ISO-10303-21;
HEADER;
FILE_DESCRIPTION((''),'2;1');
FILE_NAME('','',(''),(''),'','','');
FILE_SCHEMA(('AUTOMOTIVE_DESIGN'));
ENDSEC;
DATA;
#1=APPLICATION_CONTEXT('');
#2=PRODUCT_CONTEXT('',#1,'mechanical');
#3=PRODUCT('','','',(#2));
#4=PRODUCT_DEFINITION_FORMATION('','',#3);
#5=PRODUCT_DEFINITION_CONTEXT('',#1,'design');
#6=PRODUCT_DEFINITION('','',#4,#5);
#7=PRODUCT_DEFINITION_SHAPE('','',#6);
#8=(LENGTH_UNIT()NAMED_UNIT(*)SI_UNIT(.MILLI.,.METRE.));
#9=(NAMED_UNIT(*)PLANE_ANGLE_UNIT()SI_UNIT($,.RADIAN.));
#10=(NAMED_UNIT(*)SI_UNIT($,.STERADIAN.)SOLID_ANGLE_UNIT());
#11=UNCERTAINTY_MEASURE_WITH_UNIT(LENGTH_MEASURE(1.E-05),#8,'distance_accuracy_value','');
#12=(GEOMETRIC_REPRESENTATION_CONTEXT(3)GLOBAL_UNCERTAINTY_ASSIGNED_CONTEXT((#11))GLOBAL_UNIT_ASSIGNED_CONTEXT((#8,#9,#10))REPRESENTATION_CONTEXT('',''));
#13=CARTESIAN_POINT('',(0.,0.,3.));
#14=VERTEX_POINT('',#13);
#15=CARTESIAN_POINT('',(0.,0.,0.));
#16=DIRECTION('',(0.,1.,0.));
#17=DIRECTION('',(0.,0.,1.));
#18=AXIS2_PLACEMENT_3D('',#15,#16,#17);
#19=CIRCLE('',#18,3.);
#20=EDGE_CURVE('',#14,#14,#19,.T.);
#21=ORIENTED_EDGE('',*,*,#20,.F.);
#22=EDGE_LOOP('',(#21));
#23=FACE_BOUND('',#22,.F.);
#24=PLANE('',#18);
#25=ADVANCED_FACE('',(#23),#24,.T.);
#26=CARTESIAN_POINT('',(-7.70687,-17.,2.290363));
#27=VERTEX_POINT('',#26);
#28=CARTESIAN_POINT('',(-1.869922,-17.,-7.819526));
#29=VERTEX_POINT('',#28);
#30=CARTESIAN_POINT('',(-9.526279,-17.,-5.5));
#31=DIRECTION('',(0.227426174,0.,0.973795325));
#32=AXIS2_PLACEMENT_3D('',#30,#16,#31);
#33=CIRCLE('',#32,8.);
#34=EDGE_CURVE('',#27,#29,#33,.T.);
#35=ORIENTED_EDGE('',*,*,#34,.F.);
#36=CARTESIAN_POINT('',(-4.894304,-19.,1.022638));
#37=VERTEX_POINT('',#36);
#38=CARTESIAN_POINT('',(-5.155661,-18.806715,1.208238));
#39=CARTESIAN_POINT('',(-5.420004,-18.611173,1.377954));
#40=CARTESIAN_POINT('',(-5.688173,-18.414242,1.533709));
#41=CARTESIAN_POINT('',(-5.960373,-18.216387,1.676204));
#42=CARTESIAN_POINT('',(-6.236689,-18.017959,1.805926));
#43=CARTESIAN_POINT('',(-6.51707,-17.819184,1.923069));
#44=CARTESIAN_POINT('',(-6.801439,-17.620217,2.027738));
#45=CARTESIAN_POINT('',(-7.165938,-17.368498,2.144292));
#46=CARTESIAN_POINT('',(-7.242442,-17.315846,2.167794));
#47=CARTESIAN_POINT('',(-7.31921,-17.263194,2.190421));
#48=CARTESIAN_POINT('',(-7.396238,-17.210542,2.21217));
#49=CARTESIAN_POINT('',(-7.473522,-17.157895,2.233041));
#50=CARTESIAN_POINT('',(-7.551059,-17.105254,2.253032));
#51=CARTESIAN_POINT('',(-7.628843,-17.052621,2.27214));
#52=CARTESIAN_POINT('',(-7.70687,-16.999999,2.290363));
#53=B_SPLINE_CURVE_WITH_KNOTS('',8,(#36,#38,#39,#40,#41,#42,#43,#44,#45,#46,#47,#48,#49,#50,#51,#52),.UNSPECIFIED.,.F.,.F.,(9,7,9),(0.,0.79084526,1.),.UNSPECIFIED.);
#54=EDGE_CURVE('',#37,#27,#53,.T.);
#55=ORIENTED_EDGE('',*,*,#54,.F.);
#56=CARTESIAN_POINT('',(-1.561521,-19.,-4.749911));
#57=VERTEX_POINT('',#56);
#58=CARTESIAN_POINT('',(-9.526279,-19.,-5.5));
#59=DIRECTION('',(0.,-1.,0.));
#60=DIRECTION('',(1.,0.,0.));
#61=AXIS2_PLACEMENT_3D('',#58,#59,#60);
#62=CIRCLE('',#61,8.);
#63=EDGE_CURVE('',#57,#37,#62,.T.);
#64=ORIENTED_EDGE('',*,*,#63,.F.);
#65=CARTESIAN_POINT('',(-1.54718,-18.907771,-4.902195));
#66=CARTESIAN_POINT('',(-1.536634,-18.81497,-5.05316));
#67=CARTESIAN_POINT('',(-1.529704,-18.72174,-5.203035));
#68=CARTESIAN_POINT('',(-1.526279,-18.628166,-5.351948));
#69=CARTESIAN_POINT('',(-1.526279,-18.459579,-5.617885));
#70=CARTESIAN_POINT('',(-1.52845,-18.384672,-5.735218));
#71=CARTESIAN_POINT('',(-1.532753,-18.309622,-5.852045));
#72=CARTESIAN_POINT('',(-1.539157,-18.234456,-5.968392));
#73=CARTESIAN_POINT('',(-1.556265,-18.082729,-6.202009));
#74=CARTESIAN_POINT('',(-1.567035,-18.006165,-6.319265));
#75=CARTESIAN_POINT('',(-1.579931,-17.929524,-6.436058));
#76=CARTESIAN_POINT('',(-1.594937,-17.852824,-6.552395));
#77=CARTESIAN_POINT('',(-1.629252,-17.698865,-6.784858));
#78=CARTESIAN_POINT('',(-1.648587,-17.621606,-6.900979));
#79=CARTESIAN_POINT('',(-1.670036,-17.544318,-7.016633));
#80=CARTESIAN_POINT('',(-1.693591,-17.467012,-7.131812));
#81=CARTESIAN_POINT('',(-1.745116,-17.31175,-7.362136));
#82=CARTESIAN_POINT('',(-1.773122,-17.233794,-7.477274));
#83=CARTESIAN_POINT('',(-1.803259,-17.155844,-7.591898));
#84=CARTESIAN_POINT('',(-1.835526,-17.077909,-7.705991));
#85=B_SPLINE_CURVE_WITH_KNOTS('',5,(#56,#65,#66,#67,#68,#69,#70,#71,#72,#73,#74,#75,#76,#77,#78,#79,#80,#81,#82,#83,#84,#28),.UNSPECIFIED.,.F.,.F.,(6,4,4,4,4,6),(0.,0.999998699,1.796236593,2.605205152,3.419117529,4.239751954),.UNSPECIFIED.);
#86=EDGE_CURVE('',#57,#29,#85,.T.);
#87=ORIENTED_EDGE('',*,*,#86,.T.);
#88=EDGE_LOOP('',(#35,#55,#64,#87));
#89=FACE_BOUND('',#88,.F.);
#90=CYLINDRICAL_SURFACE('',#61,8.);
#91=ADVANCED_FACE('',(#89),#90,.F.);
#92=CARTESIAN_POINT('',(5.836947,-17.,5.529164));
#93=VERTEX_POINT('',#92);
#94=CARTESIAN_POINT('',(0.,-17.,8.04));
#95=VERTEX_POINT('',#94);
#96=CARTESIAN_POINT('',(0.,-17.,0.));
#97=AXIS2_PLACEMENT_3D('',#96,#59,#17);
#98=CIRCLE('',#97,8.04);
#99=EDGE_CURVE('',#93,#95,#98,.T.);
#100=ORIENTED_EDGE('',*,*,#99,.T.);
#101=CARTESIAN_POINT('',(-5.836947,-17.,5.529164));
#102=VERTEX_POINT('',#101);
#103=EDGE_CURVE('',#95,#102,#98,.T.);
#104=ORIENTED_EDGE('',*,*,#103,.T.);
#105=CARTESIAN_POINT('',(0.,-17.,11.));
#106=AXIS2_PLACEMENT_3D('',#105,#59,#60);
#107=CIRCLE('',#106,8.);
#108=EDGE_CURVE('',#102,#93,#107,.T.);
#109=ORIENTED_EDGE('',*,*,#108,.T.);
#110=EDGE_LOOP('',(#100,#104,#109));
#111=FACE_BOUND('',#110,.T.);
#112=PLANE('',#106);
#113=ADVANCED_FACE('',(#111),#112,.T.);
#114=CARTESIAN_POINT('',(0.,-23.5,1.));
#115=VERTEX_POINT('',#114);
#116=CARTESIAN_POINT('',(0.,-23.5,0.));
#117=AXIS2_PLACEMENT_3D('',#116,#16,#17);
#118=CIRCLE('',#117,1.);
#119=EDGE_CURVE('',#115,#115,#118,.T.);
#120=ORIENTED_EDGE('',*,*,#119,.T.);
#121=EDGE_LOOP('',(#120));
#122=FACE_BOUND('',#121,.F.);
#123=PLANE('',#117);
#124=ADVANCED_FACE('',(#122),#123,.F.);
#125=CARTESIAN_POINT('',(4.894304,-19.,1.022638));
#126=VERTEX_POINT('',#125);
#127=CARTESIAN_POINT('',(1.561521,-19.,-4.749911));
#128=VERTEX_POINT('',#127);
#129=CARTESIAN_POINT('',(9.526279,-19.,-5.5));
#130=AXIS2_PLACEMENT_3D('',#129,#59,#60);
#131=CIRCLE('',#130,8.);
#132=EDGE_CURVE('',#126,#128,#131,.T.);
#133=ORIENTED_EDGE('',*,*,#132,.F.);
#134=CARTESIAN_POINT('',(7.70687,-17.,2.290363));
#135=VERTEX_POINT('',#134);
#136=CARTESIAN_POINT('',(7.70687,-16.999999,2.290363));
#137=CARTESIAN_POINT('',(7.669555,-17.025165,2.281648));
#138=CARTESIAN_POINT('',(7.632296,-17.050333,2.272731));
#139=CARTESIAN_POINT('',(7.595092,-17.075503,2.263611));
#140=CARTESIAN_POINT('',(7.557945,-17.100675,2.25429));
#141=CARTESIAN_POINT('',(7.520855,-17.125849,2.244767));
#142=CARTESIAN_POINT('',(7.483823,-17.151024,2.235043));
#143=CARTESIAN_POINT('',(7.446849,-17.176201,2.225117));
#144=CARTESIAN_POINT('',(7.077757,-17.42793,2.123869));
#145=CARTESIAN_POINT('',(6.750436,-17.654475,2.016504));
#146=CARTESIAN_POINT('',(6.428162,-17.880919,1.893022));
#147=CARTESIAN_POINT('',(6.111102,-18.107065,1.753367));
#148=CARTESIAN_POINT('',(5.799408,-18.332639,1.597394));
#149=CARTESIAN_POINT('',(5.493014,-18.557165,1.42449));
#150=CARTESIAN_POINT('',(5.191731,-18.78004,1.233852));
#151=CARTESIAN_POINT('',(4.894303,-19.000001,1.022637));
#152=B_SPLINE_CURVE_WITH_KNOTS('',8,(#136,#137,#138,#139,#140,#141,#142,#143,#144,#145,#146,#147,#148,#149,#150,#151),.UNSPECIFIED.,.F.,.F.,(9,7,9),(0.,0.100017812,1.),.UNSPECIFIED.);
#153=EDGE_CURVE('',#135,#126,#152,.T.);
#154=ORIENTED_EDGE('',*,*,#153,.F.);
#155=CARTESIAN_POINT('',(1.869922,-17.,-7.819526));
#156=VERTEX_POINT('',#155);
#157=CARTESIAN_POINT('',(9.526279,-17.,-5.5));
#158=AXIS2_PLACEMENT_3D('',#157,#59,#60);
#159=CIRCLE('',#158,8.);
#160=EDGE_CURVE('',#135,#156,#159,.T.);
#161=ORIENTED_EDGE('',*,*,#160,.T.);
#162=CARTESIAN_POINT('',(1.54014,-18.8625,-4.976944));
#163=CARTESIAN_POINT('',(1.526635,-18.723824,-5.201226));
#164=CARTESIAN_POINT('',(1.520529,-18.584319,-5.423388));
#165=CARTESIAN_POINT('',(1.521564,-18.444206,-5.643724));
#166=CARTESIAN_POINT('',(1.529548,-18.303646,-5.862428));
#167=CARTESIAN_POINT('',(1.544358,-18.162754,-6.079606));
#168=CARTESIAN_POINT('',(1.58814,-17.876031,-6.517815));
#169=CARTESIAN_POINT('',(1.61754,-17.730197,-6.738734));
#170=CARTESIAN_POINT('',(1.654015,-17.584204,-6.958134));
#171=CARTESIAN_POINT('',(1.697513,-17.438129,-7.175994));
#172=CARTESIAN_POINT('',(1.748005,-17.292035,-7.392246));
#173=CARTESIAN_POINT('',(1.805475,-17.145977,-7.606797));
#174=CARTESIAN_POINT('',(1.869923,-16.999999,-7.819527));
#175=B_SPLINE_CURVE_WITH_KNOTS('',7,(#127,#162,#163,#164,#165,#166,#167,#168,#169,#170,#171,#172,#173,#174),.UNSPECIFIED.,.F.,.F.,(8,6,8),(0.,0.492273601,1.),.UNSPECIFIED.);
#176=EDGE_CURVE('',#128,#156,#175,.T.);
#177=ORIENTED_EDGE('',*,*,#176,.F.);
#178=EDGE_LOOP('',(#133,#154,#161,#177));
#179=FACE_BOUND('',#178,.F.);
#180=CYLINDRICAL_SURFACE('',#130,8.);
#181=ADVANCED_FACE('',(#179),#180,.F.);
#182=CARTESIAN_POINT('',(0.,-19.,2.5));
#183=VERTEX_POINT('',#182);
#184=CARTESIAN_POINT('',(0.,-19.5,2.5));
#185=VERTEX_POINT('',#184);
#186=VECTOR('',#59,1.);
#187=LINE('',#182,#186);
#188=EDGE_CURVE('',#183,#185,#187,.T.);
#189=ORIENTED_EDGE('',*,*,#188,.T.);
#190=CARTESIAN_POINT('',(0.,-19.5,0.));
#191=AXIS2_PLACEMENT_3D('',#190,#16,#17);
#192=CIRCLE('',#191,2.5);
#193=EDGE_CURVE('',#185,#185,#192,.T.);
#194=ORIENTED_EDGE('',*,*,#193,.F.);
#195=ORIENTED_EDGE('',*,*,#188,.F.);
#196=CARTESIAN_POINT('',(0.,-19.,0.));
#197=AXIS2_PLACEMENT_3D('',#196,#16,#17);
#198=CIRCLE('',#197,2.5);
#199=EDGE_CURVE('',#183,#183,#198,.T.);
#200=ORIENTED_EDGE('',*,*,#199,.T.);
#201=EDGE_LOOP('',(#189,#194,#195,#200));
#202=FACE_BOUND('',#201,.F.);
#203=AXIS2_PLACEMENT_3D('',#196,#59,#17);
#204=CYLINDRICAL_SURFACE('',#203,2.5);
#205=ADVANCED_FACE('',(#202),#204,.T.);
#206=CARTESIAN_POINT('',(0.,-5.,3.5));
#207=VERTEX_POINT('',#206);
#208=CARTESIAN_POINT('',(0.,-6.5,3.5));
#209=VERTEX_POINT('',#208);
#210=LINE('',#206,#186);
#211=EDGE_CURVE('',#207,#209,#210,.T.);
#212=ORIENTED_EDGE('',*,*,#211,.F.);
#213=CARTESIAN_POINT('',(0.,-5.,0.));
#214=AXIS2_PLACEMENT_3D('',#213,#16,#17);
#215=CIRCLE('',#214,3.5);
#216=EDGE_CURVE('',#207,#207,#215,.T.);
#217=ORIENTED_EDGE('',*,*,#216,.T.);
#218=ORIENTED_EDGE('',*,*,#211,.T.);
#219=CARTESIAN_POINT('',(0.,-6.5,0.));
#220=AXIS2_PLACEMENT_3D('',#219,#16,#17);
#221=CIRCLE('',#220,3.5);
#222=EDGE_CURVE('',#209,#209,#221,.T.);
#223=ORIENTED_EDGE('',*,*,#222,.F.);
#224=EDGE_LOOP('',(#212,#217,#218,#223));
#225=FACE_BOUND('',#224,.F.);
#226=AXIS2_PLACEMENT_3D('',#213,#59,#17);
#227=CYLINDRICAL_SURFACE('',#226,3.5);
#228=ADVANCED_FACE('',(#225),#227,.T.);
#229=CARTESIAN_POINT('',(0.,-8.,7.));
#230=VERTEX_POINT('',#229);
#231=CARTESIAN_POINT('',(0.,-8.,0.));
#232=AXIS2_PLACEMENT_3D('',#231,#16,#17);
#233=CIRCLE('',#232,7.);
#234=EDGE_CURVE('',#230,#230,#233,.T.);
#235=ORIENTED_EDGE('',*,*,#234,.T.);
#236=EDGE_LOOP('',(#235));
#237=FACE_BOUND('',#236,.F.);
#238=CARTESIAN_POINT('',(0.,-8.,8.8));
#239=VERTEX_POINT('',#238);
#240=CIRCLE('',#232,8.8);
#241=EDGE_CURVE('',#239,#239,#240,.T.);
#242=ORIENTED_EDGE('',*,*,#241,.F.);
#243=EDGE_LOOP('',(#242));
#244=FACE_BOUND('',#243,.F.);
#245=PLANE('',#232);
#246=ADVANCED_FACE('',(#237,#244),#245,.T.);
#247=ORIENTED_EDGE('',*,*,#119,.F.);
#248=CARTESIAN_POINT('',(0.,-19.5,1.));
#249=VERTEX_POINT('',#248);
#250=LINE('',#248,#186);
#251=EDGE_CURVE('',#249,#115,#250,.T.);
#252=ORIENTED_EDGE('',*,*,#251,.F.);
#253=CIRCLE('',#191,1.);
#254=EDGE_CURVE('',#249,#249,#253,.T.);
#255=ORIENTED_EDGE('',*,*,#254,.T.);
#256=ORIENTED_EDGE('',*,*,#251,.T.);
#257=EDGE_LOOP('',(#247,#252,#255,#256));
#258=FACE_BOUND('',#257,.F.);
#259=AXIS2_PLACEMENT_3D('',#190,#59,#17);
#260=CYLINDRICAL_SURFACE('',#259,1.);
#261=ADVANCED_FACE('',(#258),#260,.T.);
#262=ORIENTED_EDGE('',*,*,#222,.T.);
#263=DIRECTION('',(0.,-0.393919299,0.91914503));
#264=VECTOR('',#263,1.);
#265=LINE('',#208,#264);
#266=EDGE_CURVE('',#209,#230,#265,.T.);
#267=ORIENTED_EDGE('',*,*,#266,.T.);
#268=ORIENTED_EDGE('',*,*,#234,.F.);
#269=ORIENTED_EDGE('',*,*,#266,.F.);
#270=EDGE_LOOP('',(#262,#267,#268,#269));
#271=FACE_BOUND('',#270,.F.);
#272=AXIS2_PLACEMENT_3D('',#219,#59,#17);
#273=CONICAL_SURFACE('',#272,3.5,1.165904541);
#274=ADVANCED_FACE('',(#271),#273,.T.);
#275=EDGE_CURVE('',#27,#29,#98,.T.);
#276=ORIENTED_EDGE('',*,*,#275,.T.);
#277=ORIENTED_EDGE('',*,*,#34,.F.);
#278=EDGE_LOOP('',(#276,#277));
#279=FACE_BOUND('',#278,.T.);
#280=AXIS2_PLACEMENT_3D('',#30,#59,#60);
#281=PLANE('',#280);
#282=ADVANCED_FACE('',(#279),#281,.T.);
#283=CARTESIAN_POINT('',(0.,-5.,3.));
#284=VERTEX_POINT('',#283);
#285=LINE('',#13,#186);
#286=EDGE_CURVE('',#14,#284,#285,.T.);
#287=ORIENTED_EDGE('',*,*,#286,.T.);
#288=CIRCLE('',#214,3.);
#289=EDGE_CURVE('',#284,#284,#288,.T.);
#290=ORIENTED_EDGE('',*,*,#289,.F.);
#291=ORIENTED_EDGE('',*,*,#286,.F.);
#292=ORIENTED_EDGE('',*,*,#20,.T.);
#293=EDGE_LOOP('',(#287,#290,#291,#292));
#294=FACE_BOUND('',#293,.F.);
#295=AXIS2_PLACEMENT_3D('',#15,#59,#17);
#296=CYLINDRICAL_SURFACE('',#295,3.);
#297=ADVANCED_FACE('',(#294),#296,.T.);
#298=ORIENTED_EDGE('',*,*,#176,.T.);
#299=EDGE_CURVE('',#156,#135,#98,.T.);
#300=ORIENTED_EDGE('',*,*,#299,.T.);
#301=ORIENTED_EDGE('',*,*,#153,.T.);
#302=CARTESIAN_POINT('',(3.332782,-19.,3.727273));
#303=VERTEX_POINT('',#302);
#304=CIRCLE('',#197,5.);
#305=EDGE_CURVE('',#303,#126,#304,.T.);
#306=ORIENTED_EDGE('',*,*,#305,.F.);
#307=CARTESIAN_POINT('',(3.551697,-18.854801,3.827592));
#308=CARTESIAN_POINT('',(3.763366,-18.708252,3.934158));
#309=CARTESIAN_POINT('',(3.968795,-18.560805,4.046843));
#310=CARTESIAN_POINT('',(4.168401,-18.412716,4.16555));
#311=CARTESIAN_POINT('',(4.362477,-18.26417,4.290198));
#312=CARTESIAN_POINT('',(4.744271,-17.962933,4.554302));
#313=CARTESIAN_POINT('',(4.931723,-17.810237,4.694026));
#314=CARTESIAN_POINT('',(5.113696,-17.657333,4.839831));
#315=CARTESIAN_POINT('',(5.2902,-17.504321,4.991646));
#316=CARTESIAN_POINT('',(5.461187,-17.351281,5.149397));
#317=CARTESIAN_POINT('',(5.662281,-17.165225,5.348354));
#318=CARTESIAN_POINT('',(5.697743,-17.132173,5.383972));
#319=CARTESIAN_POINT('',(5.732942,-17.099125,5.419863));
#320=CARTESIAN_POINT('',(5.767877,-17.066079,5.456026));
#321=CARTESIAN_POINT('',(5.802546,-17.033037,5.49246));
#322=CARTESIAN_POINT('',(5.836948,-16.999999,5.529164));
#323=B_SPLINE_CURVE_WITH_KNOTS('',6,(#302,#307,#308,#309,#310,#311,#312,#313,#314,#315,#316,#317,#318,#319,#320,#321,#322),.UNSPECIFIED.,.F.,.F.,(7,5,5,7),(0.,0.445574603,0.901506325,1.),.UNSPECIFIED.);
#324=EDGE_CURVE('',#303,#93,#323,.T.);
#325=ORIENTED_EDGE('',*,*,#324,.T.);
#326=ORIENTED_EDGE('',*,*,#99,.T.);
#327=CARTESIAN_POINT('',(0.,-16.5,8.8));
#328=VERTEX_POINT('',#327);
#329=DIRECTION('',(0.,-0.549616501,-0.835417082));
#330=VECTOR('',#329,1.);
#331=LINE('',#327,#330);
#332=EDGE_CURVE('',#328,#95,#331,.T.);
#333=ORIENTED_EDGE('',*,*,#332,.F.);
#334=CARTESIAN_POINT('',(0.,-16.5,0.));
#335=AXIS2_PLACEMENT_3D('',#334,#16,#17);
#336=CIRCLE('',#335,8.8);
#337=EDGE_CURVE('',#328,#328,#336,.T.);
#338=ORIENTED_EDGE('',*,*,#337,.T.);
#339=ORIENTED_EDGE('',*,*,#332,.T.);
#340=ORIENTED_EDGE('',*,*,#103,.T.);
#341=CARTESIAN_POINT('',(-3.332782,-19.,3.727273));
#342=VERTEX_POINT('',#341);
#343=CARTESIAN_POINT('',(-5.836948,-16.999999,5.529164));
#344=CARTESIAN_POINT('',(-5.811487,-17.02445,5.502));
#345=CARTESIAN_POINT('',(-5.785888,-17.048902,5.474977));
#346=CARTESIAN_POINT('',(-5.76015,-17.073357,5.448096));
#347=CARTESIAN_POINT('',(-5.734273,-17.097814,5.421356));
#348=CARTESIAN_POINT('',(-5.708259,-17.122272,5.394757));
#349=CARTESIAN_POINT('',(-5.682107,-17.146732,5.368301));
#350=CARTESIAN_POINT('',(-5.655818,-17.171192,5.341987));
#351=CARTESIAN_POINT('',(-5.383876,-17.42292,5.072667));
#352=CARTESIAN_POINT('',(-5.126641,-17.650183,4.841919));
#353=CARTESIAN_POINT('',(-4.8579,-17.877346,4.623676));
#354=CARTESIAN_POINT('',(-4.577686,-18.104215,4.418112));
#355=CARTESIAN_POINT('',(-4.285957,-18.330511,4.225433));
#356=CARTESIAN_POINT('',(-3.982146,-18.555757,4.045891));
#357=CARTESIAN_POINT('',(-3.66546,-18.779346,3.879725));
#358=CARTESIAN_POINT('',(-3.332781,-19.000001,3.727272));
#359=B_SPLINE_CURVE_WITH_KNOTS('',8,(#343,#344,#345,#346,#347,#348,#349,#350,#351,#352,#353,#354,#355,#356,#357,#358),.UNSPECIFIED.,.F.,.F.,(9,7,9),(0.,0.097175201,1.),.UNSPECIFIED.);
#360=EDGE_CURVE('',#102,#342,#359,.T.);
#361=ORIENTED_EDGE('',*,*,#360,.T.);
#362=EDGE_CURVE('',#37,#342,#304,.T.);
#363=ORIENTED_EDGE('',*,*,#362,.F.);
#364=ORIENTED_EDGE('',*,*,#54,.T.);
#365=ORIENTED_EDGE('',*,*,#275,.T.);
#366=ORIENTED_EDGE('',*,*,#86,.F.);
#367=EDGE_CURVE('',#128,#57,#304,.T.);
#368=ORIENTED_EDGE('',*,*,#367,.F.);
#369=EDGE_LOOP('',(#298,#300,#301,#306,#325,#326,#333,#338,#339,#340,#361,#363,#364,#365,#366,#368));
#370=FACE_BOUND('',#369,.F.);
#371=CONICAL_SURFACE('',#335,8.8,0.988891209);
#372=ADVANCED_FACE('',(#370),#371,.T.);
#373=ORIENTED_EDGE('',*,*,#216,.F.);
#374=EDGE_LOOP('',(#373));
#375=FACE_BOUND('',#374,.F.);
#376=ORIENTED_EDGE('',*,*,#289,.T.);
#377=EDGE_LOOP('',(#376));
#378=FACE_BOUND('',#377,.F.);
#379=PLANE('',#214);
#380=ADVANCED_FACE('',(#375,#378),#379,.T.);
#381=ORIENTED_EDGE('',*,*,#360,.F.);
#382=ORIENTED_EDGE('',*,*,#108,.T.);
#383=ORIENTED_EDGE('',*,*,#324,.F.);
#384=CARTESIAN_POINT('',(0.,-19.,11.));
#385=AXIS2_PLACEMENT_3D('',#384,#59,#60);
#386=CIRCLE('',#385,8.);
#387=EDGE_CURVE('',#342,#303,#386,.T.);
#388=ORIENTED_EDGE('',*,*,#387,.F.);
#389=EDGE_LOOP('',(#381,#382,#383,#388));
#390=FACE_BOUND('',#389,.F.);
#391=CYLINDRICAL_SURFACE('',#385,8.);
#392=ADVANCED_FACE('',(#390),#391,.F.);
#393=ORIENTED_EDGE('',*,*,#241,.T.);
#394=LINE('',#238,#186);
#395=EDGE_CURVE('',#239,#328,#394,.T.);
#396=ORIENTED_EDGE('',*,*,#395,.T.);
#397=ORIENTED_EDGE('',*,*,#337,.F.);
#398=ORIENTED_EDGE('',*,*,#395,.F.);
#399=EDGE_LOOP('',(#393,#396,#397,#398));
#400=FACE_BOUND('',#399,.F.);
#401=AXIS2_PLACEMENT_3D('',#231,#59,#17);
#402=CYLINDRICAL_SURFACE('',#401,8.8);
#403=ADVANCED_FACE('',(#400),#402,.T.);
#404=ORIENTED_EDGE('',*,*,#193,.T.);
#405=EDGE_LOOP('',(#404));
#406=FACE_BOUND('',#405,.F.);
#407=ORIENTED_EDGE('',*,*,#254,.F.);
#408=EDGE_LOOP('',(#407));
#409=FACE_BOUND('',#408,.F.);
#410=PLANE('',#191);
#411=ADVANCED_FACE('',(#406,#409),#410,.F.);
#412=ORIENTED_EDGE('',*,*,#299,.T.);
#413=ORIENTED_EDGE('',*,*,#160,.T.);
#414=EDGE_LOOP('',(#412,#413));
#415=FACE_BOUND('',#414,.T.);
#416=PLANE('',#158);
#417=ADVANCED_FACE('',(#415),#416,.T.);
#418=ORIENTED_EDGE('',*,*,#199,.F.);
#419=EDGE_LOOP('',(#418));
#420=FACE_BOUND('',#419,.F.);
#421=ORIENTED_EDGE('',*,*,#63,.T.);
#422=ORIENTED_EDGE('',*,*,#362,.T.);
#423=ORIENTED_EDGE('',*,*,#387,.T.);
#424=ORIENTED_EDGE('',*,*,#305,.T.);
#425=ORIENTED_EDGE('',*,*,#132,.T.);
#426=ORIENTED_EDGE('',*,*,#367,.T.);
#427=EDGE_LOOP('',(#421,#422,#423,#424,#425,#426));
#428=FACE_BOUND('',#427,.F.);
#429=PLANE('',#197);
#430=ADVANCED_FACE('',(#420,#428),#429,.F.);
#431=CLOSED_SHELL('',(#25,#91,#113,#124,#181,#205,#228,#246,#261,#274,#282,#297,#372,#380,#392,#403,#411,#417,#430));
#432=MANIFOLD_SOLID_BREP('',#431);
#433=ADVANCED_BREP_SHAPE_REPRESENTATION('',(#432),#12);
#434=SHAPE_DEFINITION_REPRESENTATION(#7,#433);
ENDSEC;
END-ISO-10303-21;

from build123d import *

# Parameters (mm, degrees)
F2_R     = 8
F3_DEPTH = 2


with BuildPart() as f1:
    # F0 (on Right) → F1 (revolve)
    with BuildSketch(Plane.YZ):
        Polygon((-23.5, 0), (0, 0), (0, 3), (-5, 3), (-5, 3.5), (-6.5, 3.5), (-8, 7), (-8, 8.8), (-16.5, 8.8), (-19, 5), (-19, 2.5), (-19.5, 2.5), (-19.5, 1), (-23.5, 1), align=None)
    revolve(axis=Axis((0, -11.75, 0), (0, 1, 0)))

    # F2 (on face) → F3 (cut)
    with BuildSketch(Plane.XZ.offset(19)):
        with Locations((0, 11)):
            Circle(F2_R)
        with Locations((-9.526279, -5.5)):
            Circle(F2_R)
        with Locations((9.526279, -5.5)):
            Circle(F2_R)
    extrude(amount=-F3_DEPTH, mode=Mode.SUBTRACT)


solid = f1.part
